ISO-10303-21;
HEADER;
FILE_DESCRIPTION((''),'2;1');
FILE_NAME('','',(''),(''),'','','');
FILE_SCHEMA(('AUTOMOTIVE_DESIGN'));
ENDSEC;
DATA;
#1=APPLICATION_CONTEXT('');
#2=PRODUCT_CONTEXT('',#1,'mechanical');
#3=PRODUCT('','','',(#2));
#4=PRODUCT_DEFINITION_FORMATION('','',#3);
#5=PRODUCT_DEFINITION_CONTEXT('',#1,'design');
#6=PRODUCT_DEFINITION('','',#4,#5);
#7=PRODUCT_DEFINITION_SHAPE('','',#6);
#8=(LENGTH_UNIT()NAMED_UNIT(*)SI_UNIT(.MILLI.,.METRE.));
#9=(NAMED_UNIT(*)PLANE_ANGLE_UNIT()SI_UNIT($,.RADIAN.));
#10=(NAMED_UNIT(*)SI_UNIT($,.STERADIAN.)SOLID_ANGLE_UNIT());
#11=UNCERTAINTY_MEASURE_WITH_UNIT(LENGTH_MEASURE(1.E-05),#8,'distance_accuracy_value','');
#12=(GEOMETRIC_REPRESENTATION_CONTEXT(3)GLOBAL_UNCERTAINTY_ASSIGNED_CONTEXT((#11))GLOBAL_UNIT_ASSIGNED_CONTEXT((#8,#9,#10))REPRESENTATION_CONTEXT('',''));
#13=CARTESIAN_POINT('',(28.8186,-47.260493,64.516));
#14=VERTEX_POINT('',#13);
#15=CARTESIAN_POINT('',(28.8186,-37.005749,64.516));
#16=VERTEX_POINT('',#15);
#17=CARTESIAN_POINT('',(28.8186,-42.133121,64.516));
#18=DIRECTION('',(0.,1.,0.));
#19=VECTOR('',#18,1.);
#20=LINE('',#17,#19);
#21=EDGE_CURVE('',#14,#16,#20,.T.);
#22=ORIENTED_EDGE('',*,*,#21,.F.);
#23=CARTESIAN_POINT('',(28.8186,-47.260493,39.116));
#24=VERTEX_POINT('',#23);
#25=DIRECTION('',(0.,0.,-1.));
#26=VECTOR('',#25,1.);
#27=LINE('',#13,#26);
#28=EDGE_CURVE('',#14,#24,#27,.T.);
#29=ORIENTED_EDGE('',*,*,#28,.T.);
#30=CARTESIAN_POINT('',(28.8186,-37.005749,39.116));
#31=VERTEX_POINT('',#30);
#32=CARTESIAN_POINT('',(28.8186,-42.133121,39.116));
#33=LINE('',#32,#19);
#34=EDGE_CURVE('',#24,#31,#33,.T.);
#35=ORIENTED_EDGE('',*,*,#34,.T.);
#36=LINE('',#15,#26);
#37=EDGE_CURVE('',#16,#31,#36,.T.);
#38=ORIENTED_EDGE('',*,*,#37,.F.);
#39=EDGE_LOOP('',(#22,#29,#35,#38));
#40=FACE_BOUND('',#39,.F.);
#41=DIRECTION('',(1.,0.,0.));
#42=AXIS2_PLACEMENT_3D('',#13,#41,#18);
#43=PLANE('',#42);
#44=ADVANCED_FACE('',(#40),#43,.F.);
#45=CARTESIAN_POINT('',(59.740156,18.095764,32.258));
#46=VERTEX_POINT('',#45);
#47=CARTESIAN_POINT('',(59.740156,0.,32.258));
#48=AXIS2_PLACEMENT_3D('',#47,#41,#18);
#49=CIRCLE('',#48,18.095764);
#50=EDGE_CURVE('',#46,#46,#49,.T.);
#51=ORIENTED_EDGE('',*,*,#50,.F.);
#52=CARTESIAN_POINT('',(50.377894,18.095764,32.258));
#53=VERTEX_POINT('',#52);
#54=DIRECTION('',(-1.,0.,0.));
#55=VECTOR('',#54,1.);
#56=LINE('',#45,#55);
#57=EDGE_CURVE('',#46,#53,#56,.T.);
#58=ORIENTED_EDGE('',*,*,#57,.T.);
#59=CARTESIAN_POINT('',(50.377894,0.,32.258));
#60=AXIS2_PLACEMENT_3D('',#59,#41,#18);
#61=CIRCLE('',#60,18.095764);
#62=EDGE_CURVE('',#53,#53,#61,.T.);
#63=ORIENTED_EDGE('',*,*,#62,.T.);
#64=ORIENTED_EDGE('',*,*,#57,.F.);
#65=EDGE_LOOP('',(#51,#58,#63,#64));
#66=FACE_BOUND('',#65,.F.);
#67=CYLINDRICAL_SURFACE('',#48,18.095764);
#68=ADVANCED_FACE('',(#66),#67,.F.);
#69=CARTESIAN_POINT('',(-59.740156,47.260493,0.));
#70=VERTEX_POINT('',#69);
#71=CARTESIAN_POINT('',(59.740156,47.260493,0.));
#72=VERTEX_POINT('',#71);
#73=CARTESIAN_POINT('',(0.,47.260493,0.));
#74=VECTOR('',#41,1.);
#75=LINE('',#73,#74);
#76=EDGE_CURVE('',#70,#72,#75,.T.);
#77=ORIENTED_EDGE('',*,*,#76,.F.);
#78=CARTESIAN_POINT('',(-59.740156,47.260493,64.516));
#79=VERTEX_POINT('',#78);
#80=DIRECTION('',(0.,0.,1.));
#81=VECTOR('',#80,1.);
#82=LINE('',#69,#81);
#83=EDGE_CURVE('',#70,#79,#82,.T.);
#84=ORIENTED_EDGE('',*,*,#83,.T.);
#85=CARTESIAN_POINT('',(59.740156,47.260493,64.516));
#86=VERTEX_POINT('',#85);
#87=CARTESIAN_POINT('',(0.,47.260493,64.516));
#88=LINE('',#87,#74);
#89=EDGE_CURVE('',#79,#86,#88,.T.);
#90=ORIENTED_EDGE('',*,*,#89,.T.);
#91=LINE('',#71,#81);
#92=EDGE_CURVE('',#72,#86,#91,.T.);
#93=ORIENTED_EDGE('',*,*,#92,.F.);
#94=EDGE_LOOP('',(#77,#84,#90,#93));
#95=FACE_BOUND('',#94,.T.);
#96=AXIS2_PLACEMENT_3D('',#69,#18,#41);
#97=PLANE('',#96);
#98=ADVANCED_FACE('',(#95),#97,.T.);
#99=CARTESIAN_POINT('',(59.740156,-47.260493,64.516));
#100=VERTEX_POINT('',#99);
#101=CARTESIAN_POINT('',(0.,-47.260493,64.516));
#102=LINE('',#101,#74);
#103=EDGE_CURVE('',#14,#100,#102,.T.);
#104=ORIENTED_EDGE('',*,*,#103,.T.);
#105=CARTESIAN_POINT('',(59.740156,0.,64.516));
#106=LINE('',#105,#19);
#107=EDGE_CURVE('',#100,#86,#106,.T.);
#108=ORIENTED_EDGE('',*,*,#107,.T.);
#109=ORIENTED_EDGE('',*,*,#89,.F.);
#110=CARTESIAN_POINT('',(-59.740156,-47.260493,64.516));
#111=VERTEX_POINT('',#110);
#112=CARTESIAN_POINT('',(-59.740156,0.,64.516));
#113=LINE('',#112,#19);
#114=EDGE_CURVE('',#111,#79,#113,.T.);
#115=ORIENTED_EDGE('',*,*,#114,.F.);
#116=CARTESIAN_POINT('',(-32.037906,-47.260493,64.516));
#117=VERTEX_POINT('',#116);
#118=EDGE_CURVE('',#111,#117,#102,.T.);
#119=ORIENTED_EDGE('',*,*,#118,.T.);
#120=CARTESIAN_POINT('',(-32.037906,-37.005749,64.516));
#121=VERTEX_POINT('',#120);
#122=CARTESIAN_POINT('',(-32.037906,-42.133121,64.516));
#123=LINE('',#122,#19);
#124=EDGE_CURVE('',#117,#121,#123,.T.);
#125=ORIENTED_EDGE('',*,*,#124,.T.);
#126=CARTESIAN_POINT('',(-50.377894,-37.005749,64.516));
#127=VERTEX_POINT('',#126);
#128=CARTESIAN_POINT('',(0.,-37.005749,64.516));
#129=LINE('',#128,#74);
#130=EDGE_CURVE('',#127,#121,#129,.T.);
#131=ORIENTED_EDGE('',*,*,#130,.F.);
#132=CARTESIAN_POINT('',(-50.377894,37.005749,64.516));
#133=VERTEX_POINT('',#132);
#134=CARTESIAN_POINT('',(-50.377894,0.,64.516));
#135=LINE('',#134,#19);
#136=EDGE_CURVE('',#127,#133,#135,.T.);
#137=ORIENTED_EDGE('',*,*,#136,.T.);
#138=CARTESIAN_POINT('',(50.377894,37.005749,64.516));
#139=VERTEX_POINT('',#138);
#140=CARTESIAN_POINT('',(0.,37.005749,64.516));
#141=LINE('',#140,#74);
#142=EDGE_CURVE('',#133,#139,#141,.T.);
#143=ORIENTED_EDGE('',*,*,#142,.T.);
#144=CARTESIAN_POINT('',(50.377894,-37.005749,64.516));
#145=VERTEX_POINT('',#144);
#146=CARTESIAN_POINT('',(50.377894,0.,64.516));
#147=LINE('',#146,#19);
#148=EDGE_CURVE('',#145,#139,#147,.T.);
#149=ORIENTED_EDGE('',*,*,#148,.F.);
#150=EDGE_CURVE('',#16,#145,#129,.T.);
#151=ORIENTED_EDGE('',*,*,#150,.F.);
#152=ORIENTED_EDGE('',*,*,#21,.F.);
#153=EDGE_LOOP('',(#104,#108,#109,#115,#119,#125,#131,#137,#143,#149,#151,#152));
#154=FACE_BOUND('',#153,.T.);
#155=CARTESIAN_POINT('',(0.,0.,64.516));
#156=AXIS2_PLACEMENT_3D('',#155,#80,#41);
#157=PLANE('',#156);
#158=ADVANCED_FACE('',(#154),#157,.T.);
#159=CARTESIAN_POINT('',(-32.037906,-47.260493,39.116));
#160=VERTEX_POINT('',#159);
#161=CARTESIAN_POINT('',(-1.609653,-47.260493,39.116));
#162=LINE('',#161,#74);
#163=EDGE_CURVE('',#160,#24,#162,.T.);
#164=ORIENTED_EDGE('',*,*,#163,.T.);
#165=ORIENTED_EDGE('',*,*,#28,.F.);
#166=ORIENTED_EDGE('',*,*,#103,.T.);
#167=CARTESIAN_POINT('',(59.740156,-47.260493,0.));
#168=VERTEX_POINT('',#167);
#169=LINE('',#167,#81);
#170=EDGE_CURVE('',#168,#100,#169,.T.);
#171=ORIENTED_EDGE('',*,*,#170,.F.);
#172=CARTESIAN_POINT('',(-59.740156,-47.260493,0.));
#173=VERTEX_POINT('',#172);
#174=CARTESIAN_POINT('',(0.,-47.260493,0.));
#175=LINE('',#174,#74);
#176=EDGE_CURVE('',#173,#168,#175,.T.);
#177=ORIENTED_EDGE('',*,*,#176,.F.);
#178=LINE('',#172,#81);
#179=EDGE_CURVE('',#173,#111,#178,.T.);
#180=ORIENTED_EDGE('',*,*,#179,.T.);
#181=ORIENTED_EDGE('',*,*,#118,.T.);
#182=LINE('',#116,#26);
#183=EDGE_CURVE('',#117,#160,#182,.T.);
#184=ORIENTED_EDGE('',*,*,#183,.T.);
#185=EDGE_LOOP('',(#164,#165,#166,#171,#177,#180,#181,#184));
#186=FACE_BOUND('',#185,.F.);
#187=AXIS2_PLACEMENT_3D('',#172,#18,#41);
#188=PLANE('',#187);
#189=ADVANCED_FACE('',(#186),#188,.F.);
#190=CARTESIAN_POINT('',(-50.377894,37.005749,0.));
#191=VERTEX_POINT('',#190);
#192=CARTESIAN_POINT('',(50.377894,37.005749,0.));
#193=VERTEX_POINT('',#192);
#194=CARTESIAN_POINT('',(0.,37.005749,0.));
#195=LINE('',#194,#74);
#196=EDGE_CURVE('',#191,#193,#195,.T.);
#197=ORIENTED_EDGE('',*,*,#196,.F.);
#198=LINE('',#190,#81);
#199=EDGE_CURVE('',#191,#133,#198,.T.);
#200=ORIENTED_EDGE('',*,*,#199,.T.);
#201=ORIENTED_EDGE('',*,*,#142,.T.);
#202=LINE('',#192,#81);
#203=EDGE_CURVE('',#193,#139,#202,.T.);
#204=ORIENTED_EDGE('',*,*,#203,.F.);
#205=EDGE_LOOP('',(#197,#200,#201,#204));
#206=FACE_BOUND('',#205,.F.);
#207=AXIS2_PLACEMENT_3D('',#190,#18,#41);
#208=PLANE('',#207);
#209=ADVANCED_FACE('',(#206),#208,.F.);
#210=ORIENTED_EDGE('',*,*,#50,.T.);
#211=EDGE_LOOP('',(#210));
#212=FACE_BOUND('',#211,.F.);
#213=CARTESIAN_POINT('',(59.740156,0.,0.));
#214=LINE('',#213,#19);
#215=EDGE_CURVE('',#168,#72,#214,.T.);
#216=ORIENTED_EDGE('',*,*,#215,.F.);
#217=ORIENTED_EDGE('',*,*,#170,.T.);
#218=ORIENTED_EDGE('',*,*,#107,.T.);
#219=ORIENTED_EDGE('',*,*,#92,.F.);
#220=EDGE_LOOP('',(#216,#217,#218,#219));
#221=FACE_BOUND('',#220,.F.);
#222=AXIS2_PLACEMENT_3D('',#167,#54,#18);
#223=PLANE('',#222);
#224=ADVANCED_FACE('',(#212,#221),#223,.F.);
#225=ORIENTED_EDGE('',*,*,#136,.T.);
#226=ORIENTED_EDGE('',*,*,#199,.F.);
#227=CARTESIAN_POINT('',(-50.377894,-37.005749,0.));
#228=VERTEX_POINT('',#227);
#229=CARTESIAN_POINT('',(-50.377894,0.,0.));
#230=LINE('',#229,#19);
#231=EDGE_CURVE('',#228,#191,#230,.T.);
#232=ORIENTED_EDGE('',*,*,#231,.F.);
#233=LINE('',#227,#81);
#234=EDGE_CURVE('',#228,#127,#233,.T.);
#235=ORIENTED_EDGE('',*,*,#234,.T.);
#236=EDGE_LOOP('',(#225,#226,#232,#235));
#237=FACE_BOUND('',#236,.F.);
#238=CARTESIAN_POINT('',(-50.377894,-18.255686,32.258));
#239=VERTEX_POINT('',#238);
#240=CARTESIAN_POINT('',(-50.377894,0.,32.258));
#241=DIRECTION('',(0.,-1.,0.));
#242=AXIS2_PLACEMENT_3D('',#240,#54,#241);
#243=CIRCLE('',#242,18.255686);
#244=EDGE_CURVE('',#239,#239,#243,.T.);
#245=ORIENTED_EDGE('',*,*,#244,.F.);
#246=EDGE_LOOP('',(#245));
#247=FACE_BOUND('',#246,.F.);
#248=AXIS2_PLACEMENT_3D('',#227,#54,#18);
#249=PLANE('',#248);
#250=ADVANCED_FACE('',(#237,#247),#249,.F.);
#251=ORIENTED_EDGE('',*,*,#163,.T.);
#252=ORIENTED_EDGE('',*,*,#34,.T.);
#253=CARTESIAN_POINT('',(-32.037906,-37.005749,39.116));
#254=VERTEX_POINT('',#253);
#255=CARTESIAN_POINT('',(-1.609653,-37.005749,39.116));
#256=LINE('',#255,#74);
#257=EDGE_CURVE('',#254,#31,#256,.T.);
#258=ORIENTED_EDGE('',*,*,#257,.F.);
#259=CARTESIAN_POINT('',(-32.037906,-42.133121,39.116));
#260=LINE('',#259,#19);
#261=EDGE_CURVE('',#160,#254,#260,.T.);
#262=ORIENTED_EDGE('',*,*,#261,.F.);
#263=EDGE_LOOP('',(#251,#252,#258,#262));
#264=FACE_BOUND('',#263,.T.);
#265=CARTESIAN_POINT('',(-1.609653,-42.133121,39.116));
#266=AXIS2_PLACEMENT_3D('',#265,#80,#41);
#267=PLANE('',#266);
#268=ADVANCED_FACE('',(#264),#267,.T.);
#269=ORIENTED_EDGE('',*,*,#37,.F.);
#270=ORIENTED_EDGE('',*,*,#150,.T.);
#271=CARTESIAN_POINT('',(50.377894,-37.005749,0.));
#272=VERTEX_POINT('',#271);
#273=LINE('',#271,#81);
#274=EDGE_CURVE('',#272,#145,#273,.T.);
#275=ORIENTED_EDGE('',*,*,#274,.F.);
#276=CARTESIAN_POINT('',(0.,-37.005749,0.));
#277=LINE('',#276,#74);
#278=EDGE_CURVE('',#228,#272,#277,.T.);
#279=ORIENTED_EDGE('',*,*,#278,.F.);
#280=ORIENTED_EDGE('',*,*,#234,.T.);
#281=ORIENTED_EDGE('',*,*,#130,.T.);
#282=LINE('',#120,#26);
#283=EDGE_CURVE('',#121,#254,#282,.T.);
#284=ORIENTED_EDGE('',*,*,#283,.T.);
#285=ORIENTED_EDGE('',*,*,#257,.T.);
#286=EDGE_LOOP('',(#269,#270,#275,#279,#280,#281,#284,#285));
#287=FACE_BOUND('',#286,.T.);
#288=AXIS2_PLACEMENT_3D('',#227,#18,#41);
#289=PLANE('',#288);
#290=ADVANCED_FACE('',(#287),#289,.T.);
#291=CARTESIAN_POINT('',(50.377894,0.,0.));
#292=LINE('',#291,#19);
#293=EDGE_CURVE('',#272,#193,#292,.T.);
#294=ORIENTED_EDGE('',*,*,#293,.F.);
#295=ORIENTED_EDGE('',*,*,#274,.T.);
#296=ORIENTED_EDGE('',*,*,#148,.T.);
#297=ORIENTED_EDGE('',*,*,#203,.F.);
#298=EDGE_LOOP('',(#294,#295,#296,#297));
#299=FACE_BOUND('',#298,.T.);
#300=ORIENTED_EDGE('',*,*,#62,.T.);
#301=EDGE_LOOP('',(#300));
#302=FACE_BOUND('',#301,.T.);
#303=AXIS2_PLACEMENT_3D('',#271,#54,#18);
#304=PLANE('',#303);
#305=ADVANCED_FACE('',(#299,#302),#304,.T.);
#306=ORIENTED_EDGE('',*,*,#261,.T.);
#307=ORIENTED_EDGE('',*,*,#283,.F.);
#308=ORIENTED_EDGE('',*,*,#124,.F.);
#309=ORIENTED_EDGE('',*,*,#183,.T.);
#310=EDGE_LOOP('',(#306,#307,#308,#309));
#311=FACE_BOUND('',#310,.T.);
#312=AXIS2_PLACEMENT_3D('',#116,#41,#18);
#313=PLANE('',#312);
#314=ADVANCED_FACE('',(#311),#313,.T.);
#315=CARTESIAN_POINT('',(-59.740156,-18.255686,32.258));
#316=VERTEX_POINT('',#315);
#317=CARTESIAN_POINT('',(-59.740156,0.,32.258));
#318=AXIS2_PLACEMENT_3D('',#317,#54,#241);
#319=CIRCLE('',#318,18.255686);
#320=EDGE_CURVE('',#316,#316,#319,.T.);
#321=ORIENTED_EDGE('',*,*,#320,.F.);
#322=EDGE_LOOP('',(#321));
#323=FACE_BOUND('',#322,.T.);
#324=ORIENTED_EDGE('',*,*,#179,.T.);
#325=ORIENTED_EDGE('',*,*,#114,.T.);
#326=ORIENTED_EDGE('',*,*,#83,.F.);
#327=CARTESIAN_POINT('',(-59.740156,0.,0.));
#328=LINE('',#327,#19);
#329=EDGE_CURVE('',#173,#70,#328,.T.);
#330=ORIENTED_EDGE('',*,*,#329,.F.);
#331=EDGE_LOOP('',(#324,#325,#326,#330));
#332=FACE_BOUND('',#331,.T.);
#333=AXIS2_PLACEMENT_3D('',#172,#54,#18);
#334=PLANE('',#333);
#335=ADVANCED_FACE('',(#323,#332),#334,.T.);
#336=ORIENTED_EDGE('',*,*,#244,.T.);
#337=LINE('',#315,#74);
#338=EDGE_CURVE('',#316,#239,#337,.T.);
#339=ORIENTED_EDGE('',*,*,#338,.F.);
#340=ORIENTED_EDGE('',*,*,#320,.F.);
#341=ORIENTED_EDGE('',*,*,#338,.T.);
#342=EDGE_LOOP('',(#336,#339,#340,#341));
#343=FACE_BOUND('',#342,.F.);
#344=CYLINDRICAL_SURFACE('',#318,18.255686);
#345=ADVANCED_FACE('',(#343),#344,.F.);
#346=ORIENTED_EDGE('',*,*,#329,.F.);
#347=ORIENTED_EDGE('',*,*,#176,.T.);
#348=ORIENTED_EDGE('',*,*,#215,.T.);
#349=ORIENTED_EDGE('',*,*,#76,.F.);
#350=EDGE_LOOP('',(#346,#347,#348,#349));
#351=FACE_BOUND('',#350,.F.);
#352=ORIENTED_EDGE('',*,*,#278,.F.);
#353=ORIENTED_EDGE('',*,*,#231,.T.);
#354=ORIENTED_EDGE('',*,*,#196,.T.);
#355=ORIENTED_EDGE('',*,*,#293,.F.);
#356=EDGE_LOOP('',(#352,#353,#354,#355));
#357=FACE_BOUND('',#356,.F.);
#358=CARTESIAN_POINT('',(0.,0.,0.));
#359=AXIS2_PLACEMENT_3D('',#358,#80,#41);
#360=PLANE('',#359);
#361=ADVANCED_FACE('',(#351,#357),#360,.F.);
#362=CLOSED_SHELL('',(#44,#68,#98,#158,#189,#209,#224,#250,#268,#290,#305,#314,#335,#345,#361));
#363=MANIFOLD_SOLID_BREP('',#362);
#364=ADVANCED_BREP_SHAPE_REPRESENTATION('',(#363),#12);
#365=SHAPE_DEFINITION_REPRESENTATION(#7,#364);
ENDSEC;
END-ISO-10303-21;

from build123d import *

# Parameters (mm, degrees)
F0_W     = 119.480312
F0_H     = 94.520986
F0_W_2   = 100.755788
F0_H_2   = 74.011498
F1_DEPTH = 64.516
F2_W     = 60.856506
F2_H     = 10.254744
F3_DEPTH = 25.4
F4_R     = 18.095764
F5_DEPTH = 25.4
F6_R     = 18.255686
F7_DEPTH = 25.4


with BuildPart() as f1:
    # F0 (on Top) → F1 (new body)
    with BuildSketch(Plane.XY):
        Rectangle(F0_W, F0_H)
        Rectangle(F0_W_2, F0_H_2, mode=Mode.SUBTRACT)
    extrude(amount=F1_DEPTH)

    # F2 (on face) → F3 (cut)
    with BuildSketch(Plane.XY.offset(64.516)):
        with Locations((-1.609653, -42.133121)):
            Rectangle(F2_W, F2_H)
    extrude(amount=-F3_DEPTH, mode=Mode.SUBTRACT)

    # F4 (on face) → F5 (cut)
    with BuildSketch(Plane.YZ.offset(59.740156)):
        with Locations((0, 32.258)):
            Circle(F4_R)
    extrude(amount=-F5_DEPTH, mode=Mode.SUBTRACT)

    # F6 (on face) → F7 (cut)
    with BuildSketch(Plane(origin=(-59.740156, 0, 0), x_dir=(0, -1, 0), z_dir=(-1, 0, 0))):
        with Locations((0, 32.258)):
            Circle(F6_R)
    extrude(amount=-F7_DEPTH, mode=Mode.SUBTRACT)


solid = f1.part
